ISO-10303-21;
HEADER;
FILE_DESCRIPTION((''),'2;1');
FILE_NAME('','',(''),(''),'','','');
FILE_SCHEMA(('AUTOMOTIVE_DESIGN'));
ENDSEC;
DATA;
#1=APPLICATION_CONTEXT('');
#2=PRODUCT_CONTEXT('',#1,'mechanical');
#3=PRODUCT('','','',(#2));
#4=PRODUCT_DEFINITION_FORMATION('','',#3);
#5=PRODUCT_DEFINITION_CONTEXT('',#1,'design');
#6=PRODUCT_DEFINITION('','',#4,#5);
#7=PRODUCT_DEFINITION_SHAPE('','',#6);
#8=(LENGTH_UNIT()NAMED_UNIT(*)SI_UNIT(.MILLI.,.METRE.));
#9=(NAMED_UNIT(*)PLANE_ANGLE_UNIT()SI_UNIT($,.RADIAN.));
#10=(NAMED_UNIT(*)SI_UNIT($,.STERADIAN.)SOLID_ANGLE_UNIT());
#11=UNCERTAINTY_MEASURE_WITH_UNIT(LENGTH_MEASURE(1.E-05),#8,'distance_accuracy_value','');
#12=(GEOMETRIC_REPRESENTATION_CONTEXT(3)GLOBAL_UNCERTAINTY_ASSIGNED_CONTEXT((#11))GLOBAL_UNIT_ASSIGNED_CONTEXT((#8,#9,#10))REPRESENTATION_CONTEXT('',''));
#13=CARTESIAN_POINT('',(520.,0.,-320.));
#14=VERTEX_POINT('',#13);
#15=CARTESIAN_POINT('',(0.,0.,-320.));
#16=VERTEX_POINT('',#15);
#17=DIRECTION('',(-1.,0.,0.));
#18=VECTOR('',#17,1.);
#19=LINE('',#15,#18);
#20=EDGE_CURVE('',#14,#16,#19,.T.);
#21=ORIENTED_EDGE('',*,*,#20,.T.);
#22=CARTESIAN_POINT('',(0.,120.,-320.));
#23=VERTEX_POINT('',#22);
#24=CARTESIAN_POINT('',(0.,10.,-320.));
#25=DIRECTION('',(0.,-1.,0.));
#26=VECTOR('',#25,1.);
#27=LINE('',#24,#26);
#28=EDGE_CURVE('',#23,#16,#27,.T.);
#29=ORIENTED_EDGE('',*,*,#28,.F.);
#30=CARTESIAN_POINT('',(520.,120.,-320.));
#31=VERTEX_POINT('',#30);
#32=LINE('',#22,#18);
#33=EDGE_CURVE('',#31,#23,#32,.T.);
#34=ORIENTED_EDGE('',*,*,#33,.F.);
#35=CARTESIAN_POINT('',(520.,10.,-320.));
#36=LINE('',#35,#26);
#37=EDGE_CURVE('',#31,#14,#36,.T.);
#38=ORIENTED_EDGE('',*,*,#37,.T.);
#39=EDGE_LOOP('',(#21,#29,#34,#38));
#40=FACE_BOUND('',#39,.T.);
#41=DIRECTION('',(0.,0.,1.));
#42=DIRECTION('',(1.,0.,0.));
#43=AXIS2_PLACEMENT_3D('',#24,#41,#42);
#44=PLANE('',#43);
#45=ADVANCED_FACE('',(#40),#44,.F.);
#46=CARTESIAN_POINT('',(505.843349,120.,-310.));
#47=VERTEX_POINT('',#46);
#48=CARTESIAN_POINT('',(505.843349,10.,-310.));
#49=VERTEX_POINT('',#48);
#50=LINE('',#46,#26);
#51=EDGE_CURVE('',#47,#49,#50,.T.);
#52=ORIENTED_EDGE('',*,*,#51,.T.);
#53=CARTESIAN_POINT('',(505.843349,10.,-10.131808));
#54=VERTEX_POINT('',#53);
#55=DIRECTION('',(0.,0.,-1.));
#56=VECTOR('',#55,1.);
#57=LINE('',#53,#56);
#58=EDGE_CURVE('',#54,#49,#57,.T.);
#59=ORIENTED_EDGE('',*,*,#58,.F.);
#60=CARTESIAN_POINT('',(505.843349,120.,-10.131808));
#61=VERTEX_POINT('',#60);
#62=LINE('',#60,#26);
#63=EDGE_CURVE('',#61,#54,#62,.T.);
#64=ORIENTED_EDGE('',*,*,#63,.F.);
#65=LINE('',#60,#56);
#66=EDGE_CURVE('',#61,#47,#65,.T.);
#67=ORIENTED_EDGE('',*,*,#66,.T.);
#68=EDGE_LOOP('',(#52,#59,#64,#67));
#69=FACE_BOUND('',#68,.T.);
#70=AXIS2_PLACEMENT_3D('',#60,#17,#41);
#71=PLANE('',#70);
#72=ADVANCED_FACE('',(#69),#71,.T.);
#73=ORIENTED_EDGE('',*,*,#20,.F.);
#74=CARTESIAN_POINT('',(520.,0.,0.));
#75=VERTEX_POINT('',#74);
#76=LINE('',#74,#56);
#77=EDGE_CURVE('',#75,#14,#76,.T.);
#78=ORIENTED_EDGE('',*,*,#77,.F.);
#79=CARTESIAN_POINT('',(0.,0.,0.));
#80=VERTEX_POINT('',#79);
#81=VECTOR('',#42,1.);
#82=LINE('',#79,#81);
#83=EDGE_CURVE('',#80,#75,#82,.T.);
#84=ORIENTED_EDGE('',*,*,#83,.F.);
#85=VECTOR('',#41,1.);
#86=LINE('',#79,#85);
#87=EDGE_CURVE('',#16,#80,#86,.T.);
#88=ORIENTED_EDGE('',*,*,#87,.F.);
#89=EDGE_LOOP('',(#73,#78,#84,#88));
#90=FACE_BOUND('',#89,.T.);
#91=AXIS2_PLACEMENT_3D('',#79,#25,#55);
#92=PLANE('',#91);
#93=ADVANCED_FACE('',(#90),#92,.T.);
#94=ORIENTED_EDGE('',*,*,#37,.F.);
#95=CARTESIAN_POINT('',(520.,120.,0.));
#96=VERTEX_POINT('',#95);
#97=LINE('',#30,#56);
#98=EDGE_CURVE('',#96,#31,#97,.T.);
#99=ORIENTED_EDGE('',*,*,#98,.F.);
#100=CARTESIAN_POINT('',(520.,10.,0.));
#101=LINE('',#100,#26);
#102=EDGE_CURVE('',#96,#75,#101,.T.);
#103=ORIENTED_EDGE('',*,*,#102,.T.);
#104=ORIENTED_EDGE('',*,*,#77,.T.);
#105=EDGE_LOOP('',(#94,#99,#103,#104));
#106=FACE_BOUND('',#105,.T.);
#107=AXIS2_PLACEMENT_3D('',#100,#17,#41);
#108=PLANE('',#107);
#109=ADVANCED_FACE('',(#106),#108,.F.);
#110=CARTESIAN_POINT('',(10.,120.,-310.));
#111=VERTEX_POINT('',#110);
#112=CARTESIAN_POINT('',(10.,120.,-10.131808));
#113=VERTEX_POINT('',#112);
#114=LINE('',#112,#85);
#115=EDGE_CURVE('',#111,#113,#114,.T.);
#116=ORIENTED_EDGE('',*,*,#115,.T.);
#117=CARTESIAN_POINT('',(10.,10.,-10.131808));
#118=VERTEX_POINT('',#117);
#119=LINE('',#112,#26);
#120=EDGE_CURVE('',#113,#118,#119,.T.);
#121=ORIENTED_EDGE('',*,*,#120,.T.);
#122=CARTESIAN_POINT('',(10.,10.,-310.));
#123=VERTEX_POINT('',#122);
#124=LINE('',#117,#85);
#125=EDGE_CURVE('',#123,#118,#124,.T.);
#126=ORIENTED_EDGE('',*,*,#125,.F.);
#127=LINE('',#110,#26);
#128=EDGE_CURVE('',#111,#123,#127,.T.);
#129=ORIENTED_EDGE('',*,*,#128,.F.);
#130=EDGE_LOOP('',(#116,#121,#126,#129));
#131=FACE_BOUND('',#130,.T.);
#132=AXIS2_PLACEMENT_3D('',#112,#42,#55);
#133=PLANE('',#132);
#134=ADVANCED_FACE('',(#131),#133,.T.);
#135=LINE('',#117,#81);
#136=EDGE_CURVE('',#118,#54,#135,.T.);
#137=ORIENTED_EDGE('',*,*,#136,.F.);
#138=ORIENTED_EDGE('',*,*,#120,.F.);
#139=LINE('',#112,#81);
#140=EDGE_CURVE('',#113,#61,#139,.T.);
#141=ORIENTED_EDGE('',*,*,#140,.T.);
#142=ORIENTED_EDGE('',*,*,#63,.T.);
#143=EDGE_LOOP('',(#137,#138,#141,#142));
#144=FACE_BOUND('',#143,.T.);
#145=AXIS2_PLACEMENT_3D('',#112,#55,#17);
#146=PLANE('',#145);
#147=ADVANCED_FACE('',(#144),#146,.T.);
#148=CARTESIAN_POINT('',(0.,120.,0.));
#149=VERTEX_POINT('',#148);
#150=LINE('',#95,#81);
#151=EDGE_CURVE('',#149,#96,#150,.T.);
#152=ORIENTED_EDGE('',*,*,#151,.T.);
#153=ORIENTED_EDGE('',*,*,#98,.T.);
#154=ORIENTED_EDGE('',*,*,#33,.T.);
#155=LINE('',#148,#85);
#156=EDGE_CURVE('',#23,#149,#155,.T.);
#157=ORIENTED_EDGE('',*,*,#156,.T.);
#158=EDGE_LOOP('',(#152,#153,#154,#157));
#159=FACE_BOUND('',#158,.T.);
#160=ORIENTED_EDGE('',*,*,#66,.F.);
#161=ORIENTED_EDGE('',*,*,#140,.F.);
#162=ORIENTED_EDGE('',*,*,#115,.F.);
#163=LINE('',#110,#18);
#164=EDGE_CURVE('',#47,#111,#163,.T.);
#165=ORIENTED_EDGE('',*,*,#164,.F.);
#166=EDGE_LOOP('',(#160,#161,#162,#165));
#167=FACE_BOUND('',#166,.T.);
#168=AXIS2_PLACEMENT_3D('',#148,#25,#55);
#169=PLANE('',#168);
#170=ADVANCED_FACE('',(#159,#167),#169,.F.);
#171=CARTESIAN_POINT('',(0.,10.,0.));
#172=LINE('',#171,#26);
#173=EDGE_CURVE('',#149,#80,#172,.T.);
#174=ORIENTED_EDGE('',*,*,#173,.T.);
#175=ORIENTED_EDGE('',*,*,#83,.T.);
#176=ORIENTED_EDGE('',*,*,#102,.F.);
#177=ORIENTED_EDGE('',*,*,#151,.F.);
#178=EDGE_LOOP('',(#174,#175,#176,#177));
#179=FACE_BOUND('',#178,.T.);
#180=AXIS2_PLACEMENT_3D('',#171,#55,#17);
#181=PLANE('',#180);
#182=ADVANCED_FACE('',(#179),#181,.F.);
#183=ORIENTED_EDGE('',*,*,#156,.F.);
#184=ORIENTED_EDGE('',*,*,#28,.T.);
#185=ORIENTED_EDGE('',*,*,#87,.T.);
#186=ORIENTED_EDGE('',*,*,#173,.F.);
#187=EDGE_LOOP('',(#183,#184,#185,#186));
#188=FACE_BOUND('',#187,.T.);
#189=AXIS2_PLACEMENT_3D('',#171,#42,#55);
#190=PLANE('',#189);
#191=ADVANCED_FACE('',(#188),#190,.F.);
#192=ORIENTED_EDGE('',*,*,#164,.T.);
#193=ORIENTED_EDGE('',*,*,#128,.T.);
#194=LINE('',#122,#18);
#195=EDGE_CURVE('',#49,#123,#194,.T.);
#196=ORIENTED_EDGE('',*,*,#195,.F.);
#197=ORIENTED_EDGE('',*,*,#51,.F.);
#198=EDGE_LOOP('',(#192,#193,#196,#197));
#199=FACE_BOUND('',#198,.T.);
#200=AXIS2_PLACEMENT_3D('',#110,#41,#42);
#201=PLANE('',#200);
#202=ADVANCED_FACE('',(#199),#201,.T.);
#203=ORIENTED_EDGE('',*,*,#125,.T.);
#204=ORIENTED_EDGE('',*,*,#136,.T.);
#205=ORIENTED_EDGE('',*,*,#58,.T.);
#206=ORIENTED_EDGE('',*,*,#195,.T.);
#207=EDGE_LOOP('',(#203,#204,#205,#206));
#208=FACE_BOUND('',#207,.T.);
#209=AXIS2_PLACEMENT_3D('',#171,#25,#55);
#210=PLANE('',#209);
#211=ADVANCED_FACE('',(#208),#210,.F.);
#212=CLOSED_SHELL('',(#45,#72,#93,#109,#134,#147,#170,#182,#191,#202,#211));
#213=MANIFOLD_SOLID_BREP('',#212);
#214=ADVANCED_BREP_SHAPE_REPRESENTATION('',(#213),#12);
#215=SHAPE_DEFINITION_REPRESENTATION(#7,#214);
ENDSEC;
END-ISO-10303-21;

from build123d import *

# Parameters (mm, degrees)
SKIZZE1_W                       = 520
SKIZZE1_H                       = 320
AUFSATZ_LINEAR_AUSTRAGEN1_DEPTH = 10
SKIZZE2_W                       = 520
SKIZZE2_H                       = 320
SKIZZE2_W_2                     = 495.843348952
SKIZZE2_H_2                     = 299.868191812
AUFSATZ_LINEAR_AUSTRAGEN2_DEPTH = 110


with BuildPart() as part:
    # Skizze1 → Aufsatz-Linear austragen1 (new body)
    with BuildSketch(Plane(origin=(0, 0, 0), x_dir=(1, 0, 0), z_dir=(0, 1, 0))):
        with Locations((260, 160)):
            Rectangle(SKIZZE1_W, SKIZZE1_H)
    extrude(amount=AUFSATZ_LINEAR_AUSTRAGEN1_DEPTH)

    # Skizze2 → Aufsatz-Linear austragen2 (add)
    with BuildSketch(Plane(origin=(0, 10, 0), x_dir=(1, 0, 0), z_dir=(0, 1, 0))):
        with Locations((260, 160)):
            Rectangle(SKIZZE2_W, SKIZZE2_H)
        with Locations((257.921674476, 160.065904094)):
            Rectangle(SKIZZE2_W_2, SKIZZE2_H_2, mode=Mode.SUBTRACT)
    extrude(amount=AUFSATZ_LINEAR_AUSTRAGEN2_DEPTH)


solid = part.part
